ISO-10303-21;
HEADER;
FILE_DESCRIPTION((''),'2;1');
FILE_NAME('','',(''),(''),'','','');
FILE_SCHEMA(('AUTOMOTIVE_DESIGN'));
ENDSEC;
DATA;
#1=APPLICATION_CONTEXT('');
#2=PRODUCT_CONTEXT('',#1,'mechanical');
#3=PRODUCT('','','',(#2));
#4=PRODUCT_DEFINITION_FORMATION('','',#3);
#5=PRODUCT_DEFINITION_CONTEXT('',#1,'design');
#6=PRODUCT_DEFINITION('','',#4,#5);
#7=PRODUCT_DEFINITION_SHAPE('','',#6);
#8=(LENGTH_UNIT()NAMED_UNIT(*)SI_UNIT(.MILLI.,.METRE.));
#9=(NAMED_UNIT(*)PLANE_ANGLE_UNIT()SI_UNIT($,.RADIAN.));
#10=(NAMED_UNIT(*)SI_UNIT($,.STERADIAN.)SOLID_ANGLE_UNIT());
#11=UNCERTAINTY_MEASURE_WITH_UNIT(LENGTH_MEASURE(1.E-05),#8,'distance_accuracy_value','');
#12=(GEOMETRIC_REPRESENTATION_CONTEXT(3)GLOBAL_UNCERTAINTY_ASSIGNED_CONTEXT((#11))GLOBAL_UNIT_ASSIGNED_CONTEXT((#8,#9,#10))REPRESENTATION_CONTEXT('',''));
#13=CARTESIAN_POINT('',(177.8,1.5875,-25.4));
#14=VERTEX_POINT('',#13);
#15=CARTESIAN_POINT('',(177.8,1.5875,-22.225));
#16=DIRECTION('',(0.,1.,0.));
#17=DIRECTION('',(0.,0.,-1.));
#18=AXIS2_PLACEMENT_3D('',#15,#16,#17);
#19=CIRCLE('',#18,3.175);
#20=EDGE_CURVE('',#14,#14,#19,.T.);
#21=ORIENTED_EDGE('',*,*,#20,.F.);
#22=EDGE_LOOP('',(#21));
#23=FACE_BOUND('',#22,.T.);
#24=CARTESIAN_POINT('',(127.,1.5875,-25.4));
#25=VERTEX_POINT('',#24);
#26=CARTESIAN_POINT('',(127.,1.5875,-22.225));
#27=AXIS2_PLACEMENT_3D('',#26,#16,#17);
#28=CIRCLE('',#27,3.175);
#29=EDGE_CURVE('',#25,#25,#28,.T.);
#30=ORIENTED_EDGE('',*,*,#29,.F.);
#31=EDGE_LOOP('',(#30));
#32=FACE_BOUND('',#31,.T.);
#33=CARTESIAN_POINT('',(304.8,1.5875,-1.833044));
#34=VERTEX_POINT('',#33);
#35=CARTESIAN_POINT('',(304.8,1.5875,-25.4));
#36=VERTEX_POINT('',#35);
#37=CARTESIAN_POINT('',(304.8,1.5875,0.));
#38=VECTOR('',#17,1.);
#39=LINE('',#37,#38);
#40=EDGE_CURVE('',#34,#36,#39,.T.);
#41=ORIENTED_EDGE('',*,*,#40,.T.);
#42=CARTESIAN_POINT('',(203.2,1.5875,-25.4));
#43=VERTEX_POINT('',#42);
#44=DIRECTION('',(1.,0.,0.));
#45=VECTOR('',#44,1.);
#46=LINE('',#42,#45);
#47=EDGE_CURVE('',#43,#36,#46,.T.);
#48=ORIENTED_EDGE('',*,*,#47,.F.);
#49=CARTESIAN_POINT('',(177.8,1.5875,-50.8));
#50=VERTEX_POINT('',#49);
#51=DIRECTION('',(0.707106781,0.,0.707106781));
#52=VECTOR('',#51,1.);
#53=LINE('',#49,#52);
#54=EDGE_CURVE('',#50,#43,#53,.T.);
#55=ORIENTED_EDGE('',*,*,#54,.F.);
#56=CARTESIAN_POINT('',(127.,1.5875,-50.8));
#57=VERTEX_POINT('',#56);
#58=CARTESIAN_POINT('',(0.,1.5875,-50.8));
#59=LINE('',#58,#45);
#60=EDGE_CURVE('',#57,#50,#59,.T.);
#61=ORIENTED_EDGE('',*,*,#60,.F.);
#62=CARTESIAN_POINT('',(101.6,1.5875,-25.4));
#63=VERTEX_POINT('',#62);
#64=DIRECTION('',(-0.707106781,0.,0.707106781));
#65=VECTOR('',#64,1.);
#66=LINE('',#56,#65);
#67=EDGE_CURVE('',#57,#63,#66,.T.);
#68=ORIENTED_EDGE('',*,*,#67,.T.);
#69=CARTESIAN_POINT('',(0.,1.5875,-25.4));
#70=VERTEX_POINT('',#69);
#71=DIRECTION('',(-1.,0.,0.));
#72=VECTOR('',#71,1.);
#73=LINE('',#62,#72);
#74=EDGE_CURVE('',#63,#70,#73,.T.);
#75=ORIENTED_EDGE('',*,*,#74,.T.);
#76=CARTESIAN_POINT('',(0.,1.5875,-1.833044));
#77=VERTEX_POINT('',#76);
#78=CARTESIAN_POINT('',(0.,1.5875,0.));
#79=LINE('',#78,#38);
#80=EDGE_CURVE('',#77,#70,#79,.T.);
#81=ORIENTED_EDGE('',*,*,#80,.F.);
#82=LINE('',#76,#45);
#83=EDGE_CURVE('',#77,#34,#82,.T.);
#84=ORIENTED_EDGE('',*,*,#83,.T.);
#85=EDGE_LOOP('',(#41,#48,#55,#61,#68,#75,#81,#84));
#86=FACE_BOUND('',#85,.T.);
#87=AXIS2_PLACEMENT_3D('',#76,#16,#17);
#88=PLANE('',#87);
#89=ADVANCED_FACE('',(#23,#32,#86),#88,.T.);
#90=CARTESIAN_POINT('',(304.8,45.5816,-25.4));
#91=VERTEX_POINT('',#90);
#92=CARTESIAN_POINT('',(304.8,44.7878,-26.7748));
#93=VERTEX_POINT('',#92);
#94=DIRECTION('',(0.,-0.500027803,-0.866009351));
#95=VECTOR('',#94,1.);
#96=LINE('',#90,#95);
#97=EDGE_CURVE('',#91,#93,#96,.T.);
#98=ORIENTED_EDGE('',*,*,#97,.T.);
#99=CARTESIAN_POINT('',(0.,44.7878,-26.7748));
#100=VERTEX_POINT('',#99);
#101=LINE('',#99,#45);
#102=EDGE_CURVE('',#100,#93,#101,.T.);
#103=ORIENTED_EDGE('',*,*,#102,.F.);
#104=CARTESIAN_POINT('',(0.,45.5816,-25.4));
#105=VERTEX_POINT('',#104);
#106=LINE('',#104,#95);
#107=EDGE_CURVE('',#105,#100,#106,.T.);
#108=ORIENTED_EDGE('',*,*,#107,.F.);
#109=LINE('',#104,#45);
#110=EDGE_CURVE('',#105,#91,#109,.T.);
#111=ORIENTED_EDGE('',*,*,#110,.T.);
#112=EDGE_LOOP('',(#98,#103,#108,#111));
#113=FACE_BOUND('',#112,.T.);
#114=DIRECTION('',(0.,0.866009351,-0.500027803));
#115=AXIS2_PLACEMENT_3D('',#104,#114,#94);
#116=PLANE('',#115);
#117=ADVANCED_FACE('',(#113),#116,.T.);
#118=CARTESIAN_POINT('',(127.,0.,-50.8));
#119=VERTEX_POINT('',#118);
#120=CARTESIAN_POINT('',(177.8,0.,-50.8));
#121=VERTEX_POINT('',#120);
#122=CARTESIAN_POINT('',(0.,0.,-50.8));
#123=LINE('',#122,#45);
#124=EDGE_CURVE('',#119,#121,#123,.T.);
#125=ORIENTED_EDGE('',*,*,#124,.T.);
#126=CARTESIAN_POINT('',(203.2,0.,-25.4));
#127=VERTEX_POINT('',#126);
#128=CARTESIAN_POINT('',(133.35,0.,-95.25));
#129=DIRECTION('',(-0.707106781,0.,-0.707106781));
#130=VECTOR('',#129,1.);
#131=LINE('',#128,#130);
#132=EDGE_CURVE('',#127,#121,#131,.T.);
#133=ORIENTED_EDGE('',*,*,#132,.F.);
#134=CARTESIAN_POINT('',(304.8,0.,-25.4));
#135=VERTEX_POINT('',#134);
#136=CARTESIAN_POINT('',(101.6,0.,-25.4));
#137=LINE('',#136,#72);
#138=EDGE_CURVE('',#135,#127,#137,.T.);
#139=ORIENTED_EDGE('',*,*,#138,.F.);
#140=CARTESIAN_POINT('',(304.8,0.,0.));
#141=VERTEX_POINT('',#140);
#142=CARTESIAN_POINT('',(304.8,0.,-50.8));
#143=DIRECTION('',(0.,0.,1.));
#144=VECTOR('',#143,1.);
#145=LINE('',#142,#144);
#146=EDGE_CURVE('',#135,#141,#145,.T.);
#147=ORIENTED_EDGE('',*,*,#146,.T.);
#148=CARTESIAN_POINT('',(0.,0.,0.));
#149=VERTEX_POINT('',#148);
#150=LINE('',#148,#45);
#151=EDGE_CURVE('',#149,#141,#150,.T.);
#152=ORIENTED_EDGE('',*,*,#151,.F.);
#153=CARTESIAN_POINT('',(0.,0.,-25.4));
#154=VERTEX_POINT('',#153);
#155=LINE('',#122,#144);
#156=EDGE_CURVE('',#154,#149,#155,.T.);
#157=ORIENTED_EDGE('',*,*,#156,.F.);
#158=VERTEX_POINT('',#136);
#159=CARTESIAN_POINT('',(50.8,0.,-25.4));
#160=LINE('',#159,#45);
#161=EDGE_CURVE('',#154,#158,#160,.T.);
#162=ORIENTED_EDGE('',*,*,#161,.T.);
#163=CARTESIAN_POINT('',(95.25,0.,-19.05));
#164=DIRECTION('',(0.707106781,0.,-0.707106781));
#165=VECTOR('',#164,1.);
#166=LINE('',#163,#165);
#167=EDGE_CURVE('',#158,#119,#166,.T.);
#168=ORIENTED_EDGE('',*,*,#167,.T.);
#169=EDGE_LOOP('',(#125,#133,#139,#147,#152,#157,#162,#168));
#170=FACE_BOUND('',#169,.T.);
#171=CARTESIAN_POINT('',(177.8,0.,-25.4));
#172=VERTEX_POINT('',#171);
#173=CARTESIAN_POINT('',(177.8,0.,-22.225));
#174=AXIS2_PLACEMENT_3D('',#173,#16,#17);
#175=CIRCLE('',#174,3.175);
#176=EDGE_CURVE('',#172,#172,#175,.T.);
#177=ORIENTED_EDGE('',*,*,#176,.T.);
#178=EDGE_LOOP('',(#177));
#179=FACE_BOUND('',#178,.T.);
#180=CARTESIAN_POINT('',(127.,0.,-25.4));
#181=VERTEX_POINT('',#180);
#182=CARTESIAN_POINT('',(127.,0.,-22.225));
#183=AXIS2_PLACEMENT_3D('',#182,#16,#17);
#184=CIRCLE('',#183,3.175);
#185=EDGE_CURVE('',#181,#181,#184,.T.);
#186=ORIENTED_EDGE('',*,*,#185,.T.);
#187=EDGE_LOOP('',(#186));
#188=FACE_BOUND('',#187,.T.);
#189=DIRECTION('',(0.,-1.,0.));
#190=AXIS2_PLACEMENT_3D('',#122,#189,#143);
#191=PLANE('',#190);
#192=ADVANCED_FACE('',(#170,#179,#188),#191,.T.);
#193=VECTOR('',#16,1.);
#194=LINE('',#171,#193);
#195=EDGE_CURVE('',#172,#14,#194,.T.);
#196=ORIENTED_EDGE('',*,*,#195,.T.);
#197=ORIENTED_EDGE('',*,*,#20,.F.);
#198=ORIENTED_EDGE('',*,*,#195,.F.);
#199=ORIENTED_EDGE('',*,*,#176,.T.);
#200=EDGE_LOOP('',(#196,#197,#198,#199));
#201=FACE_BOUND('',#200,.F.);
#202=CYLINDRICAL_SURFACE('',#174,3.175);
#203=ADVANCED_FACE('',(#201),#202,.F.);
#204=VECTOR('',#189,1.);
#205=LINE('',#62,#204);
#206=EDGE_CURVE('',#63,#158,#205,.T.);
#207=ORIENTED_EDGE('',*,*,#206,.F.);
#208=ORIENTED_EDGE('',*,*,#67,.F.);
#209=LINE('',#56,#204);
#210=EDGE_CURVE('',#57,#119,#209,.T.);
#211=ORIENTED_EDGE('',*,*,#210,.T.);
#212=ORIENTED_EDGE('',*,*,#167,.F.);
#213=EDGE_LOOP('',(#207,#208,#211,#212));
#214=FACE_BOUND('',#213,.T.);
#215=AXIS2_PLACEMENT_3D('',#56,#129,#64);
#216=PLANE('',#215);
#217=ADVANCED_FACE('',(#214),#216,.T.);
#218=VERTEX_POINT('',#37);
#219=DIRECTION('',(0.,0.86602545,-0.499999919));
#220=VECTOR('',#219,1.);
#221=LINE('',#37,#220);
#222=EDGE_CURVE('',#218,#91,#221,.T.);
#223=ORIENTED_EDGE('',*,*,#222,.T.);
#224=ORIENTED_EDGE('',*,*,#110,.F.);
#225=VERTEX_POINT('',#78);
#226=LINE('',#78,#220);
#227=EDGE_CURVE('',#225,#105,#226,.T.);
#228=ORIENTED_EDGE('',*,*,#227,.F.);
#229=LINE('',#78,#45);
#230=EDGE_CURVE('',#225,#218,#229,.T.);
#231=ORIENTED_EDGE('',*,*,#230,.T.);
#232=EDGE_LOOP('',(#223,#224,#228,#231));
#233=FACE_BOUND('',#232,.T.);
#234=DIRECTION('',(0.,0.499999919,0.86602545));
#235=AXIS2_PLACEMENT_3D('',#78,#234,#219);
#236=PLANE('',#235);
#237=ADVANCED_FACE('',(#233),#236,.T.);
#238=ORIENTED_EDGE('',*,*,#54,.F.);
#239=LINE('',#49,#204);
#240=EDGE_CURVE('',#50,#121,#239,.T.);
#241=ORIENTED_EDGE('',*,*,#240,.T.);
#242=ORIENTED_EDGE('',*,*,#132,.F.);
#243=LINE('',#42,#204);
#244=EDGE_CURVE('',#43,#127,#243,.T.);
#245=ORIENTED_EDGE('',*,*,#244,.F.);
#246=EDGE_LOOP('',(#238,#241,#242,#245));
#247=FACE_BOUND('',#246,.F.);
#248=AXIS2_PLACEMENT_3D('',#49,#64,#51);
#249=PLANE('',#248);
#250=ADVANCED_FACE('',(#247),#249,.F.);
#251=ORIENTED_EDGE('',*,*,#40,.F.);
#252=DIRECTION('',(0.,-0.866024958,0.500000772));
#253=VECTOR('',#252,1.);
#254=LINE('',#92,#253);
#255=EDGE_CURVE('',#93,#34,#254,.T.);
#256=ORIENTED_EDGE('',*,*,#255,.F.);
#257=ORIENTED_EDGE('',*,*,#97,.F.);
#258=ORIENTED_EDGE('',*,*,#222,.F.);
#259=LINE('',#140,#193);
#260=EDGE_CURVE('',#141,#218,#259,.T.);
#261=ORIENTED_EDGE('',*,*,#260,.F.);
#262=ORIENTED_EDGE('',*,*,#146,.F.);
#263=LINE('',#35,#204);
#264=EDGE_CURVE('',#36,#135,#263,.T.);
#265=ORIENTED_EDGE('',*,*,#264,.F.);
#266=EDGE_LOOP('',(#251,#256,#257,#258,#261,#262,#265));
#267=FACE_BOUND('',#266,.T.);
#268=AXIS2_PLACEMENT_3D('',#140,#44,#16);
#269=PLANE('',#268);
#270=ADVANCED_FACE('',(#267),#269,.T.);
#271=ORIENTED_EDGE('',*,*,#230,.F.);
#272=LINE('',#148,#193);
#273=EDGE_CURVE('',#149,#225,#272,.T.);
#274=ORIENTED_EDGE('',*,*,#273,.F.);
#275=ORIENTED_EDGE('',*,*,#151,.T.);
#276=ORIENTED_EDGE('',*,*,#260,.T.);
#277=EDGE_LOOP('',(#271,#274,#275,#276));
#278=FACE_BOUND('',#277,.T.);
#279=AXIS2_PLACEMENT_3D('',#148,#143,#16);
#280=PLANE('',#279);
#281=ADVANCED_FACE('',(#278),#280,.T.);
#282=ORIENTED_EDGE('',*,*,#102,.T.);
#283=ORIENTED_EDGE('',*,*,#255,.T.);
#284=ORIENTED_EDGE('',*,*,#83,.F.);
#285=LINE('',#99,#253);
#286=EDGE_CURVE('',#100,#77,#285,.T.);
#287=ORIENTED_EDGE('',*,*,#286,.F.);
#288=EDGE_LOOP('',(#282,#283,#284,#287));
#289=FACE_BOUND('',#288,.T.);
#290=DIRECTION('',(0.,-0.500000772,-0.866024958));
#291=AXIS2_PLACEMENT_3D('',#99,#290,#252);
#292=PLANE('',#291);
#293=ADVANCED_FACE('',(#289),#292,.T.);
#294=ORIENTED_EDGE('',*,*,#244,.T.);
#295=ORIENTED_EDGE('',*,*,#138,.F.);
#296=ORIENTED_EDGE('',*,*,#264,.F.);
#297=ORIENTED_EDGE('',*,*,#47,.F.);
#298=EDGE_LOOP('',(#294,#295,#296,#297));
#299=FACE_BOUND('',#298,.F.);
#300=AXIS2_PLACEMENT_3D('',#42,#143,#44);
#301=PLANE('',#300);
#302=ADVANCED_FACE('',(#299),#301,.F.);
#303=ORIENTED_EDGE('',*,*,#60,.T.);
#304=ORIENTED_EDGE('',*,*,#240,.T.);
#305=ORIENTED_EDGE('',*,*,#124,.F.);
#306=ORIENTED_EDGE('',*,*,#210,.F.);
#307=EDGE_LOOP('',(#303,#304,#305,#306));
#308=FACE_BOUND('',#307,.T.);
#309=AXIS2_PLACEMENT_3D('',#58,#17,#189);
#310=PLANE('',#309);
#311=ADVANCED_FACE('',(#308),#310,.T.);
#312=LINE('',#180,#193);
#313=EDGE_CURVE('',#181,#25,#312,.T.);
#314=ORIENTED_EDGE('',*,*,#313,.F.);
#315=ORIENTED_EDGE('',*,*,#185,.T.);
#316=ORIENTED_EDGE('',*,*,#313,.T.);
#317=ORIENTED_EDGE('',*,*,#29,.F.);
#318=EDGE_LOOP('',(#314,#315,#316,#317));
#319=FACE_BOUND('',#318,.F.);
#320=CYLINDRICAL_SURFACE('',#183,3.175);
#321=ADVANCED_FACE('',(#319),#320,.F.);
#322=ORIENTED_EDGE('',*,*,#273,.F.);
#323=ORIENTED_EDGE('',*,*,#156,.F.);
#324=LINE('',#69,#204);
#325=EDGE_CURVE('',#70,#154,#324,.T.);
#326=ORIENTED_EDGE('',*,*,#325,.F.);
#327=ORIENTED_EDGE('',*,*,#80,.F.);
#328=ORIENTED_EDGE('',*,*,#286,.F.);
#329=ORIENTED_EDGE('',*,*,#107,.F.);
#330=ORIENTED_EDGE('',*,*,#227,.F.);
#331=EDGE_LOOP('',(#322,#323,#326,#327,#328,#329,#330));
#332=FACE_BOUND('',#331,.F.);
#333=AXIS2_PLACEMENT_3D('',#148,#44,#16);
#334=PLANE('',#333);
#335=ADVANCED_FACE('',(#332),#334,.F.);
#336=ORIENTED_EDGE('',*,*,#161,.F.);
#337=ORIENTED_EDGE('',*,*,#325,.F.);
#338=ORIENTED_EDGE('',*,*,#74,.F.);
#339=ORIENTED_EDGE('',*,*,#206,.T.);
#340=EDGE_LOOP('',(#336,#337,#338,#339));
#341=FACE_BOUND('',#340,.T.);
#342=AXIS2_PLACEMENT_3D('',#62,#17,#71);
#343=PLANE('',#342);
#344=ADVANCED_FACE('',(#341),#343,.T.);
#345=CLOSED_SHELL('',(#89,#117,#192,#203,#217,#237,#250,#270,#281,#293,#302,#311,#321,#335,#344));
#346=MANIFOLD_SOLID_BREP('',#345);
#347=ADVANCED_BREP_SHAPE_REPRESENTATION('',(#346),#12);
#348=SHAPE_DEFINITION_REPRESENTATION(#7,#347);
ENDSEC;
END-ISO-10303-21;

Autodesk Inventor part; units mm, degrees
ref_plane "YZ Plane" through (0, 0, 0) normal (1, 0, 0) x (0, 1, 0)
ref_plane "XZ Plane" through (0, 0, 0) normal (0, 1, 0) x (-1, 0, 0)
ref_plane "XY Plane" through (0, 0, 0) normal (0, 0, 1) x (1, 0, 0)
sketch "Sketch1" plane through (0, 0, 0) normal (1, 0, 0) x (0, 1, 0)
  line L0 (0, 0) -> (1.5875, 0)
  line L1 (1.5875, 0) -> (1.5875, -50.8)
  line L2 (1.5875, -50.8) -> (0, -50.8)
  line L3 (0, -50.8) -> (0, 0)
  line L4 (1.5875, 0) -> (45.5816, -25.4)
  line L5 (45.5816, -25.4) -> (44.7878, -26.7748)
  line L6 (44.7878, -26.7748) -> (0.7938, -1.3748)
  line L7 (0.7938, -1.3748) -> (1.5875, 0)
  line L8 (1.5875, 0) -> (52.3875, 0) construction
  dimension "d0" = 1.5875
  dimension "d1" = 50.8
  dimension "d2" = 50.8
  dimension "d3" = 30
  dimension "d4" = 1.5875
extrude "Extrusion1" add sketch "Sketch1" along normal blind 304.8
sketch "Sketch2" plane through (0, 0, -50.8) normal (0, -1, 0) x (1, 0, 0)
  line L0 (0, 0) -> (304.8, 0) projected
  line L1 (304.8, 50.8) -> (304.8, 0) projected
  point P0 (177.8, 28.575)
  point P1 (127, 28.575)
  dimension "d7" = 28.575
  dimension "d8" = 28.575
  dimension "d9" = 127
  dimension "d10" = 177.8
hole "Hole1" at (177.8, 0, -22.225) at (127, 0, -22.225) direction (0, 1, 0) diameter 6.35 depth 6.35 tip angle 118
sketch "Sketch5" plane through (0, 1.5875, -1.8331) normal (0, 1, 0) x (1, 0, 0)
  line L0 (0, 48.9669) -> (304.8, 48.9669) projected
  line L1 (0, 48.9669) -> (101.6, 48.9669)
  line L2 (101.6, 48.9669) -> (101.6, 23.5669)
  line L3 (101.6, 23.5669) -> (0, 23.5669)
  line L4 (0, 23.5669) -> (0, 48.9669)
  line L5 (304.8, 48.9669) -> (203.2, 48.9669)
  line L6 (203.2, 48.9669) -> (203.2, 23.5669)
  line L7 (203.2, 23.5669) -> (304.8, 23.5669)
  line L8 (304.8, 23.5669) -> (304.8, 48.9669)
  line L9 (203.2, 48.9669) -> (177.8, 48.9669)
  line L10 (177.8, 48.9669) -> (203.2, 23.5669)
  line L11 (101.6, 48.9669) -> (127, 48.9669)
  line L12 (0, 48.9669) -> (304.8, 48.9669) projected
  line L13 (127, 48.9669) -> (101.6, 23.5669)
  point P0 (0, -1.8331)
  dimension "d28" = 101.6
  dimension "d29" = 25.4
  dimension "d30" = 101.6
  dimension "d31" = 25.4
  dimension "d32" = 25.4
  dimension "d33" = 25.4
extrude "Extrusion4" cut sketch "Sketch5" against normal blind 6.35
properties part number "stopper plate" material "Aluminum 6061"
